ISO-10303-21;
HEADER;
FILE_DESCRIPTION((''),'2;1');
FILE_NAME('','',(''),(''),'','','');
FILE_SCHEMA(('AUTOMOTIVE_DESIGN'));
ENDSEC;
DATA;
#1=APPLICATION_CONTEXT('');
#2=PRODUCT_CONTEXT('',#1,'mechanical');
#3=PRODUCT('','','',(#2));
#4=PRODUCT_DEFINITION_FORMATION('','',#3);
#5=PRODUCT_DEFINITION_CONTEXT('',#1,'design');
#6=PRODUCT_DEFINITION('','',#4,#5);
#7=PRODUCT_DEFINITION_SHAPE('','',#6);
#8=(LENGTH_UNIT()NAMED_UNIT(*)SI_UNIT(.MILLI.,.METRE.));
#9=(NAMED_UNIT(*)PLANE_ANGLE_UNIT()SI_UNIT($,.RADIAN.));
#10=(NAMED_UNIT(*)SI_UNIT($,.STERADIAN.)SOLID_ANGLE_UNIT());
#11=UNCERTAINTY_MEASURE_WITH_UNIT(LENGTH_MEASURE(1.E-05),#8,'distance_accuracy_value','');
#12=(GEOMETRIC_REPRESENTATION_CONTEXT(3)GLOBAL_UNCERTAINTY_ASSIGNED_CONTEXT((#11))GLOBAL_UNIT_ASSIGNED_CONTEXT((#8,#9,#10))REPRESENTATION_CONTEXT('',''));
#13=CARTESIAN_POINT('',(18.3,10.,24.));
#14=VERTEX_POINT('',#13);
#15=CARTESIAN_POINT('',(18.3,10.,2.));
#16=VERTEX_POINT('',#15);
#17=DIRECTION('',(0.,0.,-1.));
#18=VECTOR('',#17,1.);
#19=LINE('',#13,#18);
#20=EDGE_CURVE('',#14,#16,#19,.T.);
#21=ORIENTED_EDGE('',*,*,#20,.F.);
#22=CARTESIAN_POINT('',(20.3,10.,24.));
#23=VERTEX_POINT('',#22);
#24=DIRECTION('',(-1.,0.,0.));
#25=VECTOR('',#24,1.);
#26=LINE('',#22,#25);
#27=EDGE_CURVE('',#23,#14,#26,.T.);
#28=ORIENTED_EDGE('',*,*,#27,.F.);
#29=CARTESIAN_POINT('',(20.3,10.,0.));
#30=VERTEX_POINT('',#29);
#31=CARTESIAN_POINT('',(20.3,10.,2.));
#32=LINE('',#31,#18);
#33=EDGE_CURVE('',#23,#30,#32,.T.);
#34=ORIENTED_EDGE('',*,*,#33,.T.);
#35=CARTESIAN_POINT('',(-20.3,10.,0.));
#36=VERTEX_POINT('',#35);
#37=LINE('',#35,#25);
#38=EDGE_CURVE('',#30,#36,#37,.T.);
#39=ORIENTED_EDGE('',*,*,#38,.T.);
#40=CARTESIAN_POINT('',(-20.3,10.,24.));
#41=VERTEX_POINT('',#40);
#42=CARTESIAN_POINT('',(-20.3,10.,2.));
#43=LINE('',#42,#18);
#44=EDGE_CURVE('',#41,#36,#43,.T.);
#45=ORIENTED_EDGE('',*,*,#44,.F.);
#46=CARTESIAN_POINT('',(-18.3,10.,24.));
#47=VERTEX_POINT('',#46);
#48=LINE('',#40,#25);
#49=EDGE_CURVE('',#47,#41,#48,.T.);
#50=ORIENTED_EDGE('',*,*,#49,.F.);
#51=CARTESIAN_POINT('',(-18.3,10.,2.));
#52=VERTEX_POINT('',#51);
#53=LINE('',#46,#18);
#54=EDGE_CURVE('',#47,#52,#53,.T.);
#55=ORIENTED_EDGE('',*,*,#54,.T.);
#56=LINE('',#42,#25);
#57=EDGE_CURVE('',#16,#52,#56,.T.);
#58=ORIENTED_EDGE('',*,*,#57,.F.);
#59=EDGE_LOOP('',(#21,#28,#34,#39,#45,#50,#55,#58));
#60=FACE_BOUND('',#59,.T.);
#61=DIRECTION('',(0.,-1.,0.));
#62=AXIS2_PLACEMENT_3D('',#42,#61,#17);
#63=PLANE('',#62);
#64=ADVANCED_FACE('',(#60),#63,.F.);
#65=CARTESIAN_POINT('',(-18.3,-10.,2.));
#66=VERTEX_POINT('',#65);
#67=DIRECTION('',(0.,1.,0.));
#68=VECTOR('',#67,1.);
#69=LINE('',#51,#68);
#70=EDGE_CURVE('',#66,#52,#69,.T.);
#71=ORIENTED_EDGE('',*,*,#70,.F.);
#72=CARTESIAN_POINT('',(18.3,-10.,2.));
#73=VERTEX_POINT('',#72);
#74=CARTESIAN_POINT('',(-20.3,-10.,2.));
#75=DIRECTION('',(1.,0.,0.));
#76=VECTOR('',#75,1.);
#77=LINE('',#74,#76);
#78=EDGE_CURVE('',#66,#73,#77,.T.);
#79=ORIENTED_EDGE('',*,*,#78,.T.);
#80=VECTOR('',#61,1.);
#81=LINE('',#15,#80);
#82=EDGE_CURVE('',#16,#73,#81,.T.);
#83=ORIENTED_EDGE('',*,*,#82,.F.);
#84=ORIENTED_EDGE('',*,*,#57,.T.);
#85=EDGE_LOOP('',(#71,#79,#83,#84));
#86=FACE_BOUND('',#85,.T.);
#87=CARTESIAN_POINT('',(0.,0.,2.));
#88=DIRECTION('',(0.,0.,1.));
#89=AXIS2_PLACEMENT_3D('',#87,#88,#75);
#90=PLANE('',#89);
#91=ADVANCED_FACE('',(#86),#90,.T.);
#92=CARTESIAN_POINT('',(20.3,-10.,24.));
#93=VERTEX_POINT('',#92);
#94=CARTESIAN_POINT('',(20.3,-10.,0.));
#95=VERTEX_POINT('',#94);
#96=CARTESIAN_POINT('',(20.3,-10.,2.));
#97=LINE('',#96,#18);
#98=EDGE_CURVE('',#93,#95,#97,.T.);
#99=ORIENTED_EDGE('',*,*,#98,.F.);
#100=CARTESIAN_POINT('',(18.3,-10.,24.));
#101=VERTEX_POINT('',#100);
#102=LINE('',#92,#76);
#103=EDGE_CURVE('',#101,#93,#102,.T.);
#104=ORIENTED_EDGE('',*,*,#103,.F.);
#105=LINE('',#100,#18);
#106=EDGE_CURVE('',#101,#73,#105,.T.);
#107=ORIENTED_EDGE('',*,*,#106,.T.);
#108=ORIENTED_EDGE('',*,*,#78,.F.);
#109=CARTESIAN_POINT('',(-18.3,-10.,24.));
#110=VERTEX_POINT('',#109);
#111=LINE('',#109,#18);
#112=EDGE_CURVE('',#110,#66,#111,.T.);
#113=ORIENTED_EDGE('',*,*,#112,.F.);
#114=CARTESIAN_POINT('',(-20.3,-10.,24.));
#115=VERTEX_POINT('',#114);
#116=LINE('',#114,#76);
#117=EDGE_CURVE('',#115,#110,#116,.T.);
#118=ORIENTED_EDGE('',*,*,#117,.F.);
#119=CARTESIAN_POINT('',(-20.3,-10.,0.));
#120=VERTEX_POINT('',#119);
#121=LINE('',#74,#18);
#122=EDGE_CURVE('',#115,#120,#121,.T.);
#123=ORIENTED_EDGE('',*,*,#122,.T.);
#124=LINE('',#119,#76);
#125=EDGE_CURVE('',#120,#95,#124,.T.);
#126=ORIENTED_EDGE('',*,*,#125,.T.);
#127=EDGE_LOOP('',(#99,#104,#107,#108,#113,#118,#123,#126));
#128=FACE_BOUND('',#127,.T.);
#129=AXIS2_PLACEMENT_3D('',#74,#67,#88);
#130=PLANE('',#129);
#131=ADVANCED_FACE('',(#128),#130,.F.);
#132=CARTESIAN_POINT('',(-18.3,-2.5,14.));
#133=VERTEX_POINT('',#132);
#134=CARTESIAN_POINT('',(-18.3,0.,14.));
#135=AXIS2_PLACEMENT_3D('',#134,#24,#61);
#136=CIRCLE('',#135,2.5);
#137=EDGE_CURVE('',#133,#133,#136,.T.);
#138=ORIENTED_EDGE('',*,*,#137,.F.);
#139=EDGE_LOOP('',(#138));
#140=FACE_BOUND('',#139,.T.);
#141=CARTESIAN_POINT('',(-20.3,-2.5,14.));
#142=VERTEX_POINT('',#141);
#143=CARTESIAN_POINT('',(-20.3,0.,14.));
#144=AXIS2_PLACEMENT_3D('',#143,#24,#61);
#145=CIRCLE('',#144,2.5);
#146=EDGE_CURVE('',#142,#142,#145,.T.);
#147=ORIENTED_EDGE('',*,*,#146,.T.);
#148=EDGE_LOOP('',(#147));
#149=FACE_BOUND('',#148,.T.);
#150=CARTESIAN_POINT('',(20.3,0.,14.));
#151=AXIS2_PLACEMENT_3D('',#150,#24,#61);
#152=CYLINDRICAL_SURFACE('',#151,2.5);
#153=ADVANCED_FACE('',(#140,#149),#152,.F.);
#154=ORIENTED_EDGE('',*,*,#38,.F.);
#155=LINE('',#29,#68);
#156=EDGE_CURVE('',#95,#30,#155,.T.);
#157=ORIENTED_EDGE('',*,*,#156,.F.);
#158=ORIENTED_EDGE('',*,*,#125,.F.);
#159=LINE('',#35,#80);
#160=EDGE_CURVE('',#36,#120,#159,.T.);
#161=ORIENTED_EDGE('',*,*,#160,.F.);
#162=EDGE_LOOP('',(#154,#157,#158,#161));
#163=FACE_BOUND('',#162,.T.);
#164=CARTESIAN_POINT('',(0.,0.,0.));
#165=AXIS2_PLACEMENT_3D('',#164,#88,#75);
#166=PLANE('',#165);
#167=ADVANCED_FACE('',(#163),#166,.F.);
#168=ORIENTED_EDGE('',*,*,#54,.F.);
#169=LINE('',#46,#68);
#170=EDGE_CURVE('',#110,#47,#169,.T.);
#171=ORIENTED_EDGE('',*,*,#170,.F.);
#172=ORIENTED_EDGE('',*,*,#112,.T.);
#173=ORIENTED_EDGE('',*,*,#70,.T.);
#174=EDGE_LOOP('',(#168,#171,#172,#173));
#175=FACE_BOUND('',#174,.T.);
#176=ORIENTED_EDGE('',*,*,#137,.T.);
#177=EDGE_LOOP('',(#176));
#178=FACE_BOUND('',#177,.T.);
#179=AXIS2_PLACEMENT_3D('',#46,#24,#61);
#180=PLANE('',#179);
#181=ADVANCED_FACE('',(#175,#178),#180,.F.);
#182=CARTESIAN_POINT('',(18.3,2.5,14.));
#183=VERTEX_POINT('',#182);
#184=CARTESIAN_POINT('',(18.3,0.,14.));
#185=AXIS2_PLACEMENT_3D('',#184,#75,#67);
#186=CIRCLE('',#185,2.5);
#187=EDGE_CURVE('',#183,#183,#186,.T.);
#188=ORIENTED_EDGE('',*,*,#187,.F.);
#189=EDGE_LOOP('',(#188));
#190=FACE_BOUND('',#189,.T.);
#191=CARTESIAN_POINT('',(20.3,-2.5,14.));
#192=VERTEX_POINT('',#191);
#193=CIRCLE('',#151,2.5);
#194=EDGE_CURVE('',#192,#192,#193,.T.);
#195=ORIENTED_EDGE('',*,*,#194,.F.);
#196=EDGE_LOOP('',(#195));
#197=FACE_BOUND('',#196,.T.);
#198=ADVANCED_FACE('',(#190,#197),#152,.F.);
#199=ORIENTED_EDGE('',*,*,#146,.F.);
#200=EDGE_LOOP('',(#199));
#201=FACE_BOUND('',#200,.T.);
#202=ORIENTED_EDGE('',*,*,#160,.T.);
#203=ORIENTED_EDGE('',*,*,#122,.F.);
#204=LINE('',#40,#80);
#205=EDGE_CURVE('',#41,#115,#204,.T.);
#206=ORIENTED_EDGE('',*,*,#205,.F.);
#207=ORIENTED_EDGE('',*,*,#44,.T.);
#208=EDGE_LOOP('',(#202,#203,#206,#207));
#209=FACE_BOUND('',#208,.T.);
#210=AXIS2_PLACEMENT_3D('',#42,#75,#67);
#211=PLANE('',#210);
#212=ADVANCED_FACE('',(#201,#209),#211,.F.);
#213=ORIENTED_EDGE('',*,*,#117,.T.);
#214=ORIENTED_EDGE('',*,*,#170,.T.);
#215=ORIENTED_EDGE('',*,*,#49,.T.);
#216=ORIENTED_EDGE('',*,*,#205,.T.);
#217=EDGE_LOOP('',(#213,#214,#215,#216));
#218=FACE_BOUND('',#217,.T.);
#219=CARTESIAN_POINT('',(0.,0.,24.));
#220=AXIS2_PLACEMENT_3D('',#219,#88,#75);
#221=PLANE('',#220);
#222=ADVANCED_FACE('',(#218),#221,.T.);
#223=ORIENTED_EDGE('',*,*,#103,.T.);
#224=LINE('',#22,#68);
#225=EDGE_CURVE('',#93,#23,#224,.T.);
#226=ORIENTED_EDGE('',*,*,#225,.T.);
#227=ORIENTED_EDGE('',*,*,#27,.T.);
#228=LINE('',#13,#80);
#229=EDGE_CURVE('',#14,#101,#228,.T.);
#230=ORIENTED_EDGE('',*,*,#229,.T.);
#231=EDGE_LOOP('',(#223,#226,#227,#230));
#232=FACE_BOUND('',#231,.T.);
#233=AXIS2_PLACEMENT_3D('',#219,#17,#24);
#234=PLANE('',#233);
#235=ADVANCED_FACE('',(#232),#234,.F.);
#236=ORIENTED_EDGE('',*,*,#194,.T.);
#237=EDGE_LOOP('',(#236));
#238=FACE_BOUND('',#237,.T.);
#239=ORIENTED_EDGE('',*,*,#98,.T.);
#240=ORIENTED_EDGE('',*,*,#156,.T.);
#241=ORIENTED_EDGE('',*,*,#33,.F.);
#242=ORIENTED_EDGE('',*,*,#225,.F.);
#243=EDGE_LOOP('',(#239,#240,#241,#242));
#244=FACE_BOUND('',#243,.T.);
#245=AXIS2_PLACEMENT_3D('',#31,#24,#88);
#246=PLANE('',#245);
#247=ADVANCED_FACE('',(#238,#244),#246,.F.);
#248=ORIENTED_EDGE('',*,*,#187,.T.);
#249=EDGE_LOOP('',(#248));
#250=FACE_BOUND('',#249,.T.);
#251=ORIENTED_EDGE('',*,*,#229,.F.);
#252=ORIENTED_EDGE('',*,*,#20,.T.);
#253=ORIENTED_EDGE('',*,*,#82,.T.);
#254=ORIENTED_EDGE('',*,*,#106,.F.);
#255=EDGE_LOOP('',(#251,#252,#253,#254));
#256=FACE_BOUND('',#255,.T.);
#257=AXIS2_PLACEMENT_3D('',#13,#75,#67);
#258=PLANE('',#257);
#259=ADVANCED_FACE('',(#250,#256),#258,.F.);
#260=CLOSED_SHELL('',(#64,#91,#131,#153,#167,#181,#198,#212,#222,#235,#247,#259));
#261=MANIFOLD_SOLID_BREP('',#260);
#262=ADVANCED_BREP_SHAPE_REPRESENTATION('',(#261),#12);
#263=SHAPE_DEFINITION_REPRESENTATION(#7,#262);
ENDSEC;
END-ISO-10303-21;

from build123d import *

# Parameters (mm, degrees)
SKETCH_1_W          = 40.6
SKETCH_1_H          = 20
EXTRUDE_1_DEPTH     = 2
SKETCH_2_W          = 2
SKETCH_2_H          = 20
EXTRUDE_2_DEPTH     = 22
SKETCH_3_R          = 2.5
CUT_EXTRUDE_1_DEPTH = 49.211616857


with BuildPart() as part:
    # 草图1 → 凸台-拉伸1 (new body)
    with BuildSketch(Plane.XY):
        Rectangle(SKETCH_1_W, SKETCH_1_H)
    extrude(amount=EXTRUDE_1_DEPTH)

    # 草图2 → 凸台-拉伸2 (add)
    with BuildSketch(Plane.XY.offset(2)):
        with Locations((-19.3, 0)):
            Rectangle(SKETCH_2_W, SKETCH_2_H)
        with Locations((19.3, 0)):
            Rectangle(SKETCH_2_W, SKETCH_2_H)
    extrude(amount=EXTRUDE_2_DEPTH)

    # 草图3 → 切除-拉伸1 (cut, through all)
    with BuildSketch(Plane.ZY.offset(20.3)):
        with Locations(Location((14, 0, 0), (0, 0, 270))):
            Circle(SKETCH_3_R)
    extrude(amount=-CUT_EXTRUDE_1_DEPTH, mode=Mode.SUBTRACT)


solid = part.part
